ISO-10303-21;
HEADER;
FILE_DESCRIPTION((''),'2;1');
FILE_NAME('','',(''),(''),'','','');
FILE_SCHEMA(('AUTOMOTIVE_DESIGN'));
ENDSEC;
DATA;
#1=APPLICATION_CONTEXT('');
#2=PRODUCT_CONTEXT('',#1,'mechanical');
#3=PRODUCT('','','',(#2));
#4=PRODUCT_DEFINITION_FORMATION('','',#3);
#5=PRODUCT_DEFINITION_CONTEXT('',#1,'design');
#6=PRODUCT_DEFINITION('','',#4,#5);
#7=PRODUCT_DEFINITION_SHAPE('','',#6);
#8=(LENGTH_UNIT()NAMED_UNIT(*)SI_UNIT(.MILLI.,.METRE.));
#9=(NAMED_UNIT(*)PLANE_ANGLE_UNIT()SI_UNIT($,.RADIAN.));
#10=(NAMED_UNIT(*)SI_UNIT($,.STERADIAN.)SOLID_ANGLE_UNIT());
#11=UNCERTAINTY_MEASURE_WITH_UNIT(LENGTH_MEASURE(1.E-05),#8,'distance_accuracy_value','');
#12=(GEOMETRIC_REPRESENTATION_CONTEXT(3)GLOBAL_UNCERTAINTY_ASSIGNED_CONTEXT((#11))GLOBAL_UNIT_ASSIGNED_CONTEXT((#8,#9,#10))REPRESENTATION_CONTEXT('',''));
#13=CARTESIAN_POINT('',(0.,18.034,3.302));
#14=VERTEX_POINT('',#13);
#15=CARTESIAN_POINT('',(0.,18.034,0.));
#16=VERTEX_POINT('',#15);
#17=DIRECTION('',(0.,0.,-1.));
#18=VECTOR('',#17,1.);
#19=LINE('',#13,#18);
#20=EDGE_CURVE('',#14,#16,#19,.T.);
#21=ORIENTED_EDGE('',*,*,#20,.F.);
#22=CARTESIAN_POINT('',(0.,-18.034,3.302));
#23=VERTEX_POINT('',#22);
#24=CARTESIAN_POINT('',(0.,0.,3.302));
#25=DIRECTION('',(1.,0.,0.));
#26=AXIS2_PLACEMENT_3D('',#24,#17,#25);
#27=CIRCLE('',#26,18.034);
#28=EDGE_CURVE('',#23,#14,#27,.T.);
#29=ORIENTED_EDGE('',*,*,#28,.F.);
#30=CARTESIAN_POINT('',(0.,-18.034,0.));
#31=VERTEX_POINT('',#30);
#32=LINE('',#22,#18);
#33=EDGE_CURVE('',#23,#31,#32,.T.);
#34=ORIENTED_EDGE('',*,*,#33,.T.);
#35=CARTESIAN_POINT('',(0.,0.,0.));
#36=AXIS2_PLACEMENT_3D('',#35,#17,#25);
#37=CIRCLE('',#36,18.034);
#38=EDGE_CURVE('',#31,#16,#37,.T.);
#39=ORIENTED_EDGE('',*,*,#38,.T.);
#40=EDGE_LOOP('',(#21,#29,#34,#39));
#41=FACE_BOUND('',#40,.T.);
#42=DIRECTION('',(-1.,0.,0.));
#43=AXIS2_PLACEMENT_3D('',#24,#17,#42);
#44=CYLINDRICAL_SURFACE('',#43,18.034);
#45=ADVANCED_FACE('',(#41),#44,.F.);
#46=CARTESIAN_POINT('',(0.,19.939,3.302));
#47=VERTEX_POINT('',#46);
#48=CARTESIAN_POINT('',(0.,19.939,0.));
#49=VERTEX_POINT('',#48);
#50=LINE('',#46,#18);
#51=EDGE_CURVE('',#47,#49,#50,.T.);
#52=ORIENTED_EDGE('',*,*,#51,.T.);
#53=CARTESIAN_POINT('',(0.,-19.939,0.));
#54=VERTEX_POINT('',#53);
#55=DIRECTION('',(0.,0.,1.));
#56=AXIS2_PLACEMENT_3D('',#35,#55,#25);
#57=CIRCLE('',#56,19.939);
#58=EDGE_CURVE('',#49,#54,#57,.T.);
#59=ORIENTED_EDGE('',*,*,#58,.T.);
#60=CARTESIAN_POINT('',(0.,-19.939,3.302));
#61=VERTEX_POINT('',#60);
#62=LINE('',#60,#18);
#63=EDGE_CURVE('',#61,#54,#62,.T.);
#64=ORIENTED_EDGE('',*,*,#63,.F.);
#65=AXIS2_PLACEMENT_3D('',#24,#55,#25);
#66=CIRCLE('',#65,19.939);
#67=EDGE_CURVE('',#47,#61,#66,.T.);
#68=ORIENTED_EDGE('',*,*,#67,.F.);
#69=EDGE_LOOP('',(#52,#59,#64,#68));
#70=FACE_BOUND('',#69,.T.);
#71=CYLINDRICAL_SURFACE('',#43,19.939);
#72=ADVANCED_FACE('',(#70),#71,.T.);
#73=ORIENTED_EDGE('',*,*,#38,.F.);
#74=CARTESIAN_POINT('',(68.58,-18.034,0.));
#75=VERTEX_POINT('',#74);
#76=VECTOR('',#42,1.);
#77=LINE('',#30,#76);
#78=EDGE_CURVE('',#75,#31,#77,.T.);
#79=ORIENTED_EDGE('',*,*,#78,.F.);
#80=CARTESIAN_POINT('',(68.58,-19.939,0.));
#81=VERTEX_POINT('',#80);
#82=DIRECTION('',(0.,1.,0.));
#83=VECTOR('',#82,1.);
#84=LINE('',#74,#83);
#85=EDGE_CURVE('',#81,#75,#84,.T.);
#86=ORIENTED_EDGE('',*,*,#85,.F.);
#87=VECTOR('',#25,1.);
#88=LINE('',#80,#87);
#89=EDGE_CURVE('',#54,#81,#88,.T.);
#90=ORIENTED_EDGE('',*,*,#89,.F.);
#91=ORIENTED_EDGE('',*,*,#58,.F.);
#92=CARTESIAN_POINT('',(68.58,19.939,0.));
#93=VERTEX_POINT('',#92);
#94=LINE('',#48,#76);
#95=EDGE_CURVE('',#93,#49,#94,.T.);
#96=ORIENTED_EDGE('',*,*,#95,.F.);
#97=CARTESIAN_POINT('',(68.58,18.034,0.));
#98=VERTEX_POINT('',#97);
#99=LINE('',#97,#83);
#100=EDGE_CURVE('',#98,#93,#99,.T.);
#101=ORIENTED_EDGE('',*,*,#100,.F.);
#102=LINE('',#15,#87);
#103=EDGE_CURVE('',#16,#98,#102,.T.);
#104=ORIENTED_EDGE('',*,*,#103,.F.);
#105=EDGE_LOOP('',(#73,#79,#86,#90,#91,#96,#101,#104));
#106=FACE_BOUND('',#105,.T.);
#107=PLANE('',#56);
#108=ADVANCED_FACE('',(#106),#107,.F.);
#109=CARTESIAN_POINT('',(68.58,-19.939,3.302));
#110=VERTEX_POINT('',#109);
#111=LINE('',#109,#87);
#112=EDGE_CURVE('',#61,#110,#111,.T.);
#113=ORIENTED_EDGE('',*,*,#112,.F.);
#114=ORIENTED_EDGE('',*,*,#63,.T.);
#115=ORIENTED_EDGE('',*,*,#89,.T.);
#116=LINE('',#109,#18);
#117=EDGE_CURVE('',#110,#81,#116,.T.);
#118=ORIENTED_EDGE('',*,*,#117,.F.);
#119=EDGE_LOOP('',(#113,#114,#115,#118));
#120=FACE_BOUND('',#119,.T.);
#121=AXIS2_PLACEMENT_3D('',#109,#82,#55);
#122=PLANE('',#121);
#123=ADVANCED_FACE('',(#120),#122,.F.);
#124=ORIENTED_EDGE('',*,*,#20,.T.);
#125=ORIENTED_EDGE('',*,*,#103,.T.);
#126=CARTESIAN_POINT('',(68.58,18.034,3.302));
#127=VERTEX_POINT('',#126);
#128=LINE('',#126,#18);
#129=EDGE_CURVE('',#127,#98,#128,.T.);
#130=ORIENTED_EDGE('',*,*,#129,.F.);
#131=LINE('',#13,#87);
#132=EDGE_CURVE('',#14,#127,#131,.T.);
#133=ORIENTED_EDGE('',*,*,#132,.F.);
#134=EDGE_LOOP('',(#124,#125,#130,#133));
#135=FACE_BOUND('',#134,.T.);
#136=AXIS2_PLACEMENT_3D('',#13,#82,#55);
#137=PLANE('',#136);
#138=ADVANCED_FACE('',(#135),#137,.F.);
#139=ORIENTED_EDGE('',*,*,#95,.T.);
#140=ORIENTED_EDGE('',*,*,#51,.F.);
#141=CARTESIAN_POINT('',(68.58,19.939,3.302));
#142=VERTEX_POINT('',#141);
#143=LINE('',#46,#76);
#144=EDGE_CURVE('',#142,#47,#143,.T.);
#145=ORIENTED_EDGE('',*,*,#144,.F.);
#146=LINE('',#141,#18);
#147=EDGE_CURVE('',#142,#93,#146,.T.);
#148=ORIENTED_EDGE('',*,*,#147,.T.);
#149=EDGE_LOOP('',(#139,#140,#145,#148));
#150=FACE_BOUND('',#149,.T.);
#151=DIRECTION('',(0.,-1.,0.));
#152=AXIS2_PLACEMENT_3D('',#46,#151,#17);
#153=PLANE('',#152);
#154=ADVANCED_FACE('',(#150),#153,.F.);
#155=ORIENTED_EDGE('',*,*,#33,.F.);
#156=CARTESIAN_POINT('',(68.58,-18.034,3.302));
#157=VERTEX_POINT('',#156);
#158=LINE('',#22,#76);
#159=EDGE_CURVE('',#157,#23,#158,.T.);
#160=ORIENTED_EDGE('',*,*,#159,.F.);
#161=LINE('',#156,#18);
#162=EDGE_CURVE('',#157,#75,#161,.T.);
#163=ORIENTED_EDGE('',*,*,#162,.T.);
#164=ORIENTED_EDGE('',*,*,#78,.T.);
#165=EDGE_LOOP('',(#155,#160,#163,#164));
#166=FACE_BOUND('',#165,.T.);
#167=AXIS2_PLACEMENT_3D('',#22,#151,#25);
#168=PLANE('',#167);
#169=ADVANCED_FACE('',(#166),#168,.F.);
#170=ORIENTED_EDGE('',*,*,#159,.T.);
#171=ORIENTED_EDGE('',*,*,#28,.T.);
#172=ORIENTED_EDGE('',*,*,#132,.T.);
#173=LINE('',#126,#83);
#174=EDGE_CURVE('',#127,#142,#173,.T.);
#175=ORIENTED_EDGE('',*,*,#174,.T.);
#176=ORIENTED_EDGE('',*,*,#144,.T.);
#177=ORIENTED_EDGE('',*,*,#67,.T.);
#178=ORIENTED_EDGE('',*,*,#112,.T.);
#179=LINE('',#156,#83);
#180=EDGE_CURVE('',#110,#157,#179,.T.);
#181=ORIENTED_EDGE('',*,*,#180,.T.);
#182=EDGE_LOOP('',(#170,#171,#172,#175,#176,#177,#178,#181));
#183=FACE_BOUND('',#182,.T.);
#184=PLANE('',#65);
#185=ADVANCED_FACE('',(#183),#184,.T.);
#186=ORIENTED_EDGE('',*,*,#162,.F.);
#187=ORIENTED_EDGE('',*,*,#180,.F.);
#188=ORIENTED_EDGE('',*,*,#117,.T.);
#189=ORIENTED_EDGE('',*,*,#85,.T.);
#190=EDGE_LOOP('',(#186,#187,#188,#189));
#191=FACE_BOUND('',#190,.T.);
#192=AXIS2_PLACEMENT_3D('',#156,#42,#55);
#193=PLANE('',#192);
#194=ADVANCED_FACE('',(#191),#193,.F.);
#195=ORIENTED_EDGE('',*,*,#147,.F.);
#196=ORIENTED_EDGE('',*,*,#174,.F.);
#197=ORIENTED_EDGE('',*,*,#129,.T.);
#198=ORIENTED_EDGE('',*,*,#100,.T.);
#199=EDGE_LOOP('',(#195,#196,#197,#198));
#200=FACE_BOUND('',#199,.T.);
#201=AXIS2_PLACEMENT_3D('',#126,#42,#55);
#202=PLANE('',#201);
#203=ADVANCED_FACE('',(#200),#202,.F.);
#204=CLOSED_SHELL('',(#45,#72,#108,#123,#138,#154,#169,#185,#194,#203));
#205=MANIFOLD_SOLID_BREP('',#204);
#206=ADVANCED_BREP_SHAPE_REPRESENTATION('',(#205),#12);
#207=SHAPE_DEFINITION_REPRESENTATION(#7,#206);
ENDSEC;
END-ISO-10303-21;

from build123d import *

# Parameters (mm, degrees)
BOSS_EXTRUDE1_DEPTH = 3.302


with BuildPart() as part:
    # Sketch1 → Boss-Extrude1 (new body)
    with BuildSketch(Plane.XY):
        with BuildLine():
            Line((0, 19.939), (68.58, 19.939))
            Line((68.58, 19.939), (68.58, 18.034))
            Line((68.58, 18.034), (0, 18.034))
            ThreePointArc((0, 18.034), (-18.034, 0), (0, -18.034))
            Line((0, -18.034), (68.58, -18.034))
            Line((68.58, -18.034), (68.58, -19.939))
            Line((68.58, -19.939), (0, -19.939))
            ThreePointArc((0, -19.939), (-19.939, 0), (0, 19.939))
        make_face()
    extrude(amount=BOSS_EXTRUDE1_DEPTH)


solid = part.part
